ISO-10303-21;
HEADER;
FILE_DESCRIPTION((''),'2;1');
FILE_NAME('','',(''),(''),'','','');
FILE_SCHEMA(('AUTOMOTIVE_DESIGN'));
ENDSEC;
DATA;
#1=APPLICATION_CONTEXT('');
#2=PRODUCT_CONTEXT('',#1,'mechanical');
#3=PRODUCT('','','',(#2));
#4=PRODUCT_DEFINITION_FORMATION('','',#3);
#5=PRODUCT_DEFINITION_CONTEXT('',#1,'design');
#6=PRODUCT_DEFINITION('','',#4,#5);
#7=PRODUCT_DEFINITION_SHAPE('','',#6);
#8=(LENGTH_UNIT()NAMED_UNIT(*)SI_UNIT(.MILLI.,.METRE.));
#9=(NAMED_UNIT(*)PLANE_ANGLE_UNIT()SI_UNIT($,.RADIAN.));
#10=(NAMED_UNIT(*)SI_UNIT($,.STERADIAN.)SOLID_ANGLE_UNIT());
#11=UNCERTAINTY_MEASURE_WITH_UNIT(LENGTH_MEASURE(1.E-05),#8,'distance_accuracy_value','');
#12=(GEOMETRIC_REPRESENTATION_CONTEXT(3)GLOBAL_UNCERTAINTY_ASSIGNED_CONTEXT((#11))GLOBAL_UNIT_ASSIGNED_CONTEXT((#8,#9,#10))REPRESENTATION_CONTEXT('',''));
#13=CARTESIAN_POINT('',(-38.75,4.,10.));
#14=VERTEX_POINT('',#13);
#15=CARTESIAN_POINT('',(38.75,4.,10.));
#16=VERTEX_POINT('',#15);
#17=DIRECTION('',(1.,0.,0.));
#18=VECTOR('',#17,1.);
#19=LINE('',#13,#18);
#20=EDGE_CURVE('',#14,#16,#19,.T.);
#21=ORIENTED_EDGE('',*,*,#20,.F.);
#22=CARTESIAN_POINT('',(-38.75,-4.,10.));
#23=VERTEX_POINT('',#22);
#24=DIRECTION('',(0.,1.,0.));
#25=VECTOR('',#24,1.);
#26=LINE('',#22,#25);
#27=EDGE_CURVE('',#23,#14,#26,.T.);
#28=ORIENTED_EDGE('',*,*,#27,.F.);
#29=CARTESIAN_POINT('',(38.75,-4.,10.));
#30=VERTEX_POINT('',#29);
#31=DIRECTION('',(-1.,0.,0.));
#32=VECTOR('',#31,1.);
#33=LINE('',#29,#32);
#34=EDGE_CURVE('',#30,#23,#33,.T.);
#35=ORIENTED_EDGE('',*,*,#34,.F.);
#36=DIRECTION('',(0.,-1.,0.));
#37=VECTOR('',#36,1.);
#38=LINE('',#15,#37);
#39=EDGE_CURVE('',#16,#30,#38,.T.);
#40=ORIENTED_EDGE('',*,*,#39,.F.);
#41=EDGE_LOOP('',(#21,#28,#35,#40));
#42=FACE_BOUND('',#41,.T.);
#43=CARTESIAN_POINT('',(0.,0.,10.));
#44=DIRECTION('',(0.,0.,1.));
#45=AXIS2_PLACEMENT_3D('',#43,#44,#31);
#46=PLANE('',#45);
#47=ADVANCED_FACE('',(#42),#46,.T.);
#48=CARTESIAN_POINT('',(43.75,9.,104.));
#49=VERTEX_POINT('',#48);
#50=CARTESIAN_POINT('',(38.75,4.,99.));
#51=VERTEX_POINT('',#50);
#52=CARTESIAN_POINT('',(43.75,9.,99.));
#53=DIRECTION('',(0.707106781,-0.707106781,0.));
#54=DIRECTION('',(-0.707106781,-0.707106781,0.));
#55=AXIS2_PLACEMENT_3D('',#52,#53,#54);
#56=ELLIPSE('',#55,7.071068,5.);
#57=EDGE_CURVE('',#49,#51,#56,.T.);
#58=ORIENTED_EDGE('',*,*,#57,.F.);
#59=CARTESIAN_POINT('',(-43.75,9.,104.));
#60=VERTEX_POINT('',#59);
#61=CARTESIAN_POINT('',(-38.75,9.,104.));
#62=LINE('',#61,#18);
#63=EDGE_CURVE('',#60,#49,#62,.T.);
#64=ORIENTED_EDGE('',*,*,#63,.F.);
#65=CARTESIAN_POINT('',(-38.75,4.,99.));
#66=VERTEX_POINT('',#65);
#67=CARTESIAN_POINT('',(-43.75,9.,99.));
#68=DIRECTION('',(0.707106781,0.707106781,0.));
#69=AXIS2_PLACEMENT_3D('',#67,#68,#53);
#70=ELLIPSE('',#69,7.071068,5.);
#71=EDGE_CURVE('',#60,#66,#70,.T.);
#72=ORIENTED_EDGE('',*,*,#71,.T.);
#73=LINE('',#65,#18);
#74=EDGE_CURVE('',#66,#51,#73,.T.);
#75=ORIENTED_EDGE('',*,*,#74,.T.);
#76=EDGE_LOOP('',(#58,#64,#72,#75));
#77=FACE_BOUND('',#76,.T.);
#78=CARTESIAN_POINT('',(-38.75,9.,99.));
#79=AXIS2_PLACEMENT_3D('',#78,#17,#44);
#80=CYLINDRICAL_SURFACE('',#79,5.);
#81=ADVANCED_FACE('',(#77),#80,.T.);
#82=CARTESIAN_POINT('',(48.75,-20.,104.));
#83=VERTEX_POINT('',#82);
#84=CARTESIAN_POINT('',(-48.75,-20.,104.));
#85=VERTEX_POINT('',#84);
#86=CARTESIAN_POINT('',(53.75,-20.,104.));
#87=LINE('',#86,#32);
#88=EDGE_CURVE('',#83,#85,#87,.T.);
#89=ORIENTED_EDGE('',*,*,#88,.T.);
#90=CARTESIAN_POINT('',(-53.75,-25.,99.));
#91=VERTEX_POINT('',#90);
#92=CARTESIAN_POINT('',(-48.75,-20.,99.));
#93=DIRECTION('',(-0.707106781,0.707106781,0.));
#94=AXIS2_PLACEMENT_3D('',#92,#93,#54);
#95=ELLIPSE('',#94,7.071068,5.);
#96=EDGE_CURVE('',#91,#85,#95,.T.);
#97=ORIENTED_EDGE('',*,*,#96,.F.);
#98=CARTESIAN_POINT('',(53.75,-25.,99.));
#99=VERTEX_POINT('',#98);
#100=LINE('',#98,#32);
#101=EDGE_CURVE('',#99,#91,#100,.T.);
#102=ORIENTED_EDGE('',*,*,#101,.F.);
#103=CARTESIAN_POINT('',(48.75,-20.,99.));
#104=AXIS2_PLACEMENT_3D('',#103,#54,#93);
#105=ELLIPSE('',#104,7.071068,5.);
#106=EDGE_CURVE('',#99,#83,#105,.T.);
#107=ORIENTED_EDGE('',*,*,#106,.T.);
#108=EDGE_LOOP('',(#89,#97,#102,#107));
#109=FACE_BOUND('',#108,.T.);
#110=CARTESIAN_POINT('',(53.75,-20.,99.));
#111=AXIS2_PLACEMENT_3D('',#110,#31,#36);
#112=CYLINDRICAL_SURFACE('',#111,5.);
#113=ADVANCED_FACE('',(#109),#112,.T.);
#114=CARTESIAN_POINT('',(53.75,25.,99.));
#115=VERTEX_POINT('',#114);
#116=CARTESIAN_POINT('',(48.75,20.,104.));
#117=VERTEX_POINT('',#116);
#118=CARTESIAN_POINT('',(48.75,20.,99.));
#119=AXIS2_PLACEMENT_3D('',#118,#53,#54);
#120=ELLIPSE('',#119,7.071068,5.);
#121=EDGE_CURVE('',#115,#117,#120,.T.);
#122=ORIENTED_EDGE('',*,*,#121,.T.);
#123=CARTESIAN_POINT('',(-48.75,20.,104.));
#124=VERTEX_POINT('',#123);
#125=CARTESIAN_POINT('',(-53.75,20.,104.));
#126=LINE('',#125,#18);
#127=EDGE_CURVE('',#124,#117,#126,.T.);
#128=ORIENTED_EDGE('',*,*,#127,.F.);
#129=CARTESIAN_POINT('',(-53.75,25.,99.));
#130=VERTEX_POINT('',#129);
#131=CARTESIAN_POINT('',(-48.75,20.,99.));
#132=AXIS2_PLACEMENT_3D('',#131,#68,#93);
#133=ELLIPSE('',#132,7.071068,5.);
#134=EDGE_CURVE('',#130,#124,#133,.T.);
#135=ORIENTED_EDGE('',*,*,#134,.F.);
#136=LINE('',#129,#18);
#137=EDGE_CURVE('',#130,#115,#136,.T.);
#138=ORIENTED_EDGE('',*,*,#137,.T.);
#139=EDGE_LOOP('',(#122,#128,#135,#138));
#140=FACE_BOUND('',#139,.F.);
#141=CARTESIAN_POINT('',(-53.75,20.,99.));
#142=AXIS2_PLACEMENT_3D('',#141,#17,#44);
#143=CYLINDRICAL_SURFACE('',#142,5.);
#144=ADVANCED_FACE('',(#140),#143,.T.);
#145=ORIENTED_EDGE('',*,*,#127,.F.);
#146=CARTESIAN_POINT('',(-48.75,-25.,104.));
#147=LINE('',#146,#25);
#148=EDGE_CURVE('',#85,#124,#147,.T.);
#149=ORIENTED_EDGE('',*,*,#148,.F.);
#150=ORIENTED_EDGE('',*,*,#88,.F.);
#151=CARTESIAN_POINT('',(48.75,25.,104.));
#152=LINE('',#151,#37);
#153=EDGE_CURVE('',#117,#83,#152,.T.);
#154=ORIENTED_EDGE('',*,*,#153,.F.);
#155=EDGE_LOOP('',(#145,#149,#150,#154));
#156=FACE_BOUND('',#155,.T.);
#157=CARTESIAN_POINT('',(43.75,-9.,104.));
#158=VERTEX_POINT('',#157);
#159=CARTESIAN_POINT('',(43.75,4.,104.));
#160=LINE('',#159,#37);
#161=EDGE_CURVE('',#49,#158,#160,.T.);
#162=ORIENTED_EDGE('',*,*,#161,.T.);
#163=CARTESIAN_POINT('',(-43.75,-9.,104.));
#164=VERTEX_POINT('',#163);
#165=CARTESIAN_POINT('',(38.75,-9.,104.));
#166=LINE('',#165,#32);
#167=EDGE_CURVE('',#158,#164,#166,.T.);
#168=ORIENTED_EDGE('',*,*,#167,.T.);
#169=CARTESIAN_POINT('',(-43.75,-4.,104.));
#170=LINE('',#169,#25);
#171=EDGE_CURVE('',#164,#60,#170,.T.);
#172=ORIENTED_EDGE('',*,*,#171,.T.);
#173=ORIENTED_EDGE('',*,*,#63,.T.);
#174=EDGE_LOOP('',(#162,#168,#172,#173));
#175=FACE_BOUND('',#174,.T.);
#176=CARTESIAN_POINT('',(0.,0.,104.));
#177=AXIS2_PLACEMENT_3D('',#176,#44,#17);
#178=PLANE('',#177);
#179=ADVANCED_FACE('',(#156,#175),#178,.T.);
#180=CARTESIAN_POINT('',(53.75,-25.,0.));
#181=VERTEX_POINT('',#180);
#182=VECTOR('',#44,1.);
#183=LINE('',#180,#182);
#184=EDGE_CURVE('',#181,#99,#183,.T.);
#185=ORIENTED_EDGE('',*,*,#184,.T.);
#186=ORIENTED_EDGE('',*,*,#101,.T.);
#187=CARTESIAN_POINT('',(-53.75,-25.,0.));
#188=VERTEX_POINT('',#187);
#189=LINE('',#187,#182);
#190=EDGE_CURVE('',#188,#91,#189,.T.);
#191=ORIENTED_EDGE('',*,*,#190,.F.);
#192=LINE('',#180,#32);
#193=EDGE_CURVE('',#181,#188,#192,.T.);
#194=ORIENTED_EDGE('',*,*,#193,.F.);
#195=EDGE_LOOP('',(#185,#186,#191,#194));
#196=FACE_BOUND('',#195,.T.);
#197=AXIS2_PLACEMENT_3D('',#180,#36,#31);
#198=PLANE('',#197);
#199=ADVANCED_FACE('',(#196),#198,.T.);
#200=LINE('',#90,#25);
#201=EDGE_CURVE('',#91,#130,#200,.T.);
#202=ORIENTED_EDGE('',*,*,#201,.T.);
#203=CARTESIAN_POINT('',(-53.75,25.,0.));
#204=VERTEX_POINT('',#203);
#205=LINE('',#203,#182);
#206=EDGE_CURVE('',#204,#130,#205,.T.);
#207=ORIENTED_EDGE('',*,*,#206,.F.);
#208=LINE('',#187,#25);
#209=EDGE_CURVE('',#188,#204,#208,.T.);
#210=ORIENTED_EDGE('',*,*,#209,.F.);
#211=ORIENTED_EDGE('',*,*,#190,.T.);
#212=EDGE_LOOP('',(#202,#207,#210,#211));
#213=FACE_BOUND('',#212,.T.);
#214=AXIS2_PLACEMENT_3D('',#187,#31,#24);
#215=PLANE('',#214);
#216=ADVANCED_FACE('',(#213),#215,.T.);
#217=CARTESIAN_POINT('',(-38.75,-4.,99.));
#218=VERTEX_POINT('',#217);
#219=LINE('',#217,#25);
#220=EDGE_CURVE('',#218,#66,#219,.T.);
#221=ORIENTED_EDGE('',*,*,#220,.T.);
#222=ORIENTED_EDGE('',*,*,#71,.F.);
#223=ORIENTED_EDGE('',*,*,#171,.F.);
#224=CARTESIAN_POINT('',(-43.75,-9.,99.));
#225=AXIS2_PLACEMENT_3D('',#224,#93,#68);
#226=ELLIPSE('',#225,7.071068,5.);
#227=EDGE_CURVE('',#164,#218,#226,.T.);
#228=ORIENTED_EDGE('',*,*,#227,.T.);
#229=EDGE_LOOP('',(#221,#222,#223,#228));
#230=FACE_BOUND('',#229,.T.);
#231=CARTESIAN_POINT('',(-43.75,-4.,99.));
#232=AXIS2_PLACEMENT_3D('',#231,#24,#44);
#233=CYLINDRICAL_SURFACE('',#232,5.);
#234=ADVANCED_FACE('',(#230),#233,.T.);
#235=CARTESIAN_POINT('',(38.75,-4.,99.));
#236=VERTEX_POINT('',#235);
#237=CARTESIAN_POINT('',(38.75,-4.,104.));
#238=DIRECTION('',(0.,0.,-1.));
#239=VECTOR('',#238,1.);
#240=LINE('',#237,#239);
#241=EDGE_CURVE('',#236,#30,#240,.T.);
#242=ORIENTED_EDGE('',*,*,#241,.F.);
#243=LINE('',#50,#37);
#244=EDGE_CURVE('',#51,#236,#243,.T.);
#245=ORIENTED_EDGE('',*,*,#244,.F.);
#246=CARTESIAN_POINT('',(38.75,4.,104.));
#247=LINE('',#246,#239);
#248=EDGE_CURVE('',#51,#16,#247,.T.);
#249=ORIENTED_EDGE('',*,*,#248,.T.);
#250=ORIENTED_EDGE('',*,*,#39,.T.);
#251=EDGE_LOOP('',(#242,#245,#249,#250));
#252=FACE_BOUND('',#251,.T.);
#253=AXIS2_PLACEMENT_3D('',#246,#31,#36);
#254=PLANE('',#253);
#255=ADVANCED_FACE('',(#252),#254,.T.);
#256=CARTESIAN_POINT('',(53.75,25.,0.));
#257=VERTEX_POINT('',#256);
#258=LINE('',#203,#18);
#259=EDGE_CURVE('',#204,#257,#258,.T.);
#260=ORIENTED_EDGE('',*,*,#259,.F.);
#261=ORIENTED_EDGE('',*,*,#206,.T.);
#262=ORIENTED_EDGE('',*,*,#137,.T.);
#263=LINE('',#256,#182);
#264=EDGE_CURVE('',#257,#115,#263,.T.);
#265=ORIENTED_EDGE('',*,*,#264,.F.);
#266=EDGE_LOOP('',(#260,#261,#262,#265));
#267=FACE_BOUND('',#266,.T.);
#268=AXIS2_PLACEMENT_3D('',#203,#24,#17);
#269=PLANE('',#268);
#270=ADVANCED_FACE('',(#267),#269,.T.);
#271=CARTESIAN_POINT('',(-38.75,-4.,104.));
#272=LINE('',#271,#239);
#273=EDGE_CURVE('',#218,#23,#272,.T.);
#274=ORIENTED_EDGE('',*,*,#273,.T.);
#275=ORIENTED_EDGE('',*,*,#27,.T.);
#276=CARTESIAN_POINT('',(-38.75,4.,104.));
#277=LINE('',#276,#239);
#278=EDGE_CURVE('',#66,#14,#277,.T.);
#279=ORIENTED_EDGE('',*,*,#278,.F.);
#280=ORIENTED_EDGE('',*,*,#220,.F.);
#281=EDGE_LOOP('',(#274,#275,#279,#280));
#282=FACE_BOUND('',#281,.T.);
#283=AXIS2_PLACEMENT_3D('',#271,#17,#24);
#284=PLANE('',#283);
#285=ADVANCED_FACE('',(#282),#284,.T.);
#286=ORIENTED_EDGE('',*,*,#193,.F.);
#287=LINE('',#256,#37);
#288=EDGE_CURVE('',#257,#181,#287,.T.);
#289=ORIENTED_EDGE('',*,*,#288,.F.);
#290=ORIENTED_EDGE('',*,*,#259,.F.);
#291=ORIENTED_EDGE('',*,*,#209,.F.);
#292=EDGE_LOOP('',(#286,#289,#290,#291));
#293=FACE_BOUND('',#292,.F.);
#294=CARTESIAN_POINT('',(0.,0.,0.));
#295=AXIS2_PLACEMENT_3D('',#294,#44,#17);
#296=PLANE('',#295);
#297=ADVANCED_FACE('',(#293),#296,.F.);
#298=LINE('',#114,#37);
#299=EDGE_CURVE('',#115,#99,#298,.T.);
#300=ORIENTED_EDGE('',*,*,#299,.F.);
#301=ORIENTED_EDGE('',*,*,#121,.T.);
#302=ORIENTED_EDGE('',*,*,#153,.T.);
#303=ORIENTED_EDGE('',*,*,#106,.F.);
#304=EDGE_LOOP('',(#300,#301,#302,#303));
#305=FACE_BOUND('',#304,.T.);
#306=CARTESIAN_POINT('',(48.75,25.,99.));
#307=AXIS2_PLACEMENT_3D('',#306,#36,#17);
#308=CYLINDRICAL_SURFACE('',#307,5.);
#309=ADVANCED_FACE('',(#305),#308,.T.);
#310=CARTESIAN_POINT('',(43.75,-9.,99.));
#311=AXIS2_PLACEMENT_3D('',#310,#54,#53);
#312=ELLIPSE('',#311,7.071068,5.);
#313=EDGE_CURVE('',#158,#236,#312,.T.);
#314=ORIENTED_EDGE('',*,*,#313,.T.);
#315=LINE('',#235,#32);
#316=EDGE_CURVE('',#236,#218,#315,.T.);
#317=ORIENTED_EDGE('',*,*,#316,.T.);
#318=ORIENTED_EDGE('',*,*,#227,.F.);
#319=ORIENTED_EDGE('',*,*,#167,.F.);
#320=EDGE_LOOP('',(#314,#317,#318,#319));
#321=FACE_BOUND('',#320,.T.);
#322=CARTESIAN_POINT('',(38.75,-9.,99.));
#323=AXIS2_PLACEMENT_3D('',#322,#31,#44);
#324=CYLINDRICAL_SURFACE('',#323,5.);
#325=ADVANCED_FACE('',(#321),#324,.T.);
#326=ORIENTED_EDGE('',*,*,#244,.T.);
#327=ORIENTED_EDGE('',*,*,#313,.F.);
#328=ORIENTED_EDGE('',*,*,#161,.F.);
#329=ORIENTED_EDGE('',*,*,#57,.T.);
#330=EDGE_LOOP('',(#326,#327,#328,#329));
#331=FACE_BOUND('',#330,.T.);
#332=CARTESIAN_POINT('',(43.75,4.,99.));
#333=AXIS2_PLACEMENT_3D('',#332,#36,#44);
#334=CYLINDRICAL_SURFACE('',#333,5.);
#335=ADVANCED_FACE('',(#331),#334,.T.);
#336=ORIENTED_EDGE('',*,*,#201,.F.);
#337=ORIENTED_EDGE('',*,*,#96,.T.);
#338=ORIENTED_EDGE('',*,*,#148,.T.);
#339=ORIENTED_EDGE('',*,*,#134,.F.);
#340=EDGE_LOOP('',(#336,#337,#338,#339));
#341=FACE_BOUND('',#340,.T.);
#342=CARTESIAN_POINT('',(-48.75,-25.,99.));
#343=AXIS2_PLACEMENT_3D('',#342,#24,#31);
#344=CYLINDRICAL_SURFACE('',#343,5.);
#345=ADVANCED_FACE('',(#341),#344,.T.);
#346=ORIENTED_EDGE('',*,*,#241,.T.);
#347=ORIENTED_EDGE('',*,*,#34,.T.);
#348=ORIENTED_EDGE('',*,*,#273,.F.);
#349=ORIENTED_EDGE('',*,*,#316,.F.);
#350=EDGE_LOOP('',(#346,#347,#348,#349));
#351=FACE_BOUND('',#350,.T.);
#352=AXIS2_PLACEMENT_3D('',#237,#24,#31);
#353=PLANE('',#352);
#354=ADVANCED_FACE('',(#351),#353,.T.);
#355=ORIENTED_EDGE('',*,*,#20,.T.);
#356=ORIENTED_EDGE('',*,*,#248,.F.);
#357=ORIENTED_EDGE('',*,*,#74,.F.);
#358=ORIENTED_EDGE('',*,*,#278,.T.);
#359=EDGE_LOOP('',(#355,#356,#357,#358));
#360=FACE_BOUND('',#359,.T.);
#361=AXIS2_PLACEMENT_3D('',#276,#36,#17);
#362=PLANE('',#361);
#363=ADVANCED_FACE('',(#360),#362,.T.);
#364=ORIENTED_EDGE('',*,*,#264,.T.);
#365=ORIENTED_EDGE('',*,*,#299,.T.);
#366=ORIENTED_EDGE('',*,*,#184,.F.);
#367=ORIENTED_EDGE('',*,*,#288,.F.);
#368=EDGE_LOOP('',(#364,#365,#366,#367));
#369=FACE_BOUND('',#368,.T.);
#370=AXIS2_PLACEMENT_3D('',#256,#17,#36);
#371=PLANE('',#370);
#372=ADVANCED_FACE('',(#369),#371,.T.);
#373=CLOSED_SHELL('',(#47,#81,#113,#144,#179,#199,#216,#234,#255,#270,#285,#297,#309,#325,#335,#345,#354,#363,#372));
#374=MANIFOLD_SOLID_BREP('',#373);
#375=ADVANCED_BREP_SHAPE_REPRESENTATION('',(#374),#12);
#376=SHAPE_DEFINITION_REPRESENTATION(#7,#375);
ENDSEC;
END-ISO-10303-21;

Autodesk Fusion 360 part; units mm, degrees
sketch "Sketch1" plane through (0, 0, 0) normal (0, 0, 1) x (1, 0, 0)
  line L0 (53.75, -25) -> (-53.75, -25)
  line L1 (-53.75, -25) -> (-53.75, 25)
  line L2 (-53.75, 25) -> (53.75, 25)
  line L3 (53.75, 25) -> (53.75, -25)
  line L4 (53.75, -25) -> (-53.75, 25) construction
  line L5 (-53.75, -25) -> (53.75, 25) construction
  dimension "d4" = 107.5
  dimension "d5" = 50
extrude "Extrude1" add sketch "Sketch1" along normal blind 104
sketch "Sketch2" plane through (0, 0, 104) normal (0, 0, 1) x (-1, 0, 0)
  line L0 (-53.75, -25) -> (53.75, -25)
  line L1 (53.75, -25) -> (53.75, 25)
  line L2 (53.75, 25) -> (-53.75, 25)
  line L3 (-53.75, 25) -> (-53.75, -25)
  line L4 (-38.75, 4) -> (38.75, 4)
  line L5 (38.75, 4) -> (38.75, -4)
  line L6 (38.75, -4) -> (-38.75, -4)
  line L7 (-38.75, -4) -> (-38.75, 4)
  line L8 (-38.75, 4) -> (38.75, -4) construction
  line L9 (38.75, 4) -> (-38.75, -4) construction
  dimension "d8" = 77.5
  dimension "d9" = 8
extrude "Extrude2" cut sketch "Sketch2" against normal blind 94 contours L4 L5 L6 L7
fillet "Fillet1" radius 5 1 faces at (12.9167, -18, 104)
equation "bredde = 77.5 mm"
equation "høyde = 312 mm"
equation "tykkelse = 8 mm"
equation "d4 = bredde + 30 mm"
equation "d6 = høyde / 3"
equation "d8 = bredde"
equation "d9 = tykkelse"
equation "d10 = -høyde / 3 + 10 mm"
